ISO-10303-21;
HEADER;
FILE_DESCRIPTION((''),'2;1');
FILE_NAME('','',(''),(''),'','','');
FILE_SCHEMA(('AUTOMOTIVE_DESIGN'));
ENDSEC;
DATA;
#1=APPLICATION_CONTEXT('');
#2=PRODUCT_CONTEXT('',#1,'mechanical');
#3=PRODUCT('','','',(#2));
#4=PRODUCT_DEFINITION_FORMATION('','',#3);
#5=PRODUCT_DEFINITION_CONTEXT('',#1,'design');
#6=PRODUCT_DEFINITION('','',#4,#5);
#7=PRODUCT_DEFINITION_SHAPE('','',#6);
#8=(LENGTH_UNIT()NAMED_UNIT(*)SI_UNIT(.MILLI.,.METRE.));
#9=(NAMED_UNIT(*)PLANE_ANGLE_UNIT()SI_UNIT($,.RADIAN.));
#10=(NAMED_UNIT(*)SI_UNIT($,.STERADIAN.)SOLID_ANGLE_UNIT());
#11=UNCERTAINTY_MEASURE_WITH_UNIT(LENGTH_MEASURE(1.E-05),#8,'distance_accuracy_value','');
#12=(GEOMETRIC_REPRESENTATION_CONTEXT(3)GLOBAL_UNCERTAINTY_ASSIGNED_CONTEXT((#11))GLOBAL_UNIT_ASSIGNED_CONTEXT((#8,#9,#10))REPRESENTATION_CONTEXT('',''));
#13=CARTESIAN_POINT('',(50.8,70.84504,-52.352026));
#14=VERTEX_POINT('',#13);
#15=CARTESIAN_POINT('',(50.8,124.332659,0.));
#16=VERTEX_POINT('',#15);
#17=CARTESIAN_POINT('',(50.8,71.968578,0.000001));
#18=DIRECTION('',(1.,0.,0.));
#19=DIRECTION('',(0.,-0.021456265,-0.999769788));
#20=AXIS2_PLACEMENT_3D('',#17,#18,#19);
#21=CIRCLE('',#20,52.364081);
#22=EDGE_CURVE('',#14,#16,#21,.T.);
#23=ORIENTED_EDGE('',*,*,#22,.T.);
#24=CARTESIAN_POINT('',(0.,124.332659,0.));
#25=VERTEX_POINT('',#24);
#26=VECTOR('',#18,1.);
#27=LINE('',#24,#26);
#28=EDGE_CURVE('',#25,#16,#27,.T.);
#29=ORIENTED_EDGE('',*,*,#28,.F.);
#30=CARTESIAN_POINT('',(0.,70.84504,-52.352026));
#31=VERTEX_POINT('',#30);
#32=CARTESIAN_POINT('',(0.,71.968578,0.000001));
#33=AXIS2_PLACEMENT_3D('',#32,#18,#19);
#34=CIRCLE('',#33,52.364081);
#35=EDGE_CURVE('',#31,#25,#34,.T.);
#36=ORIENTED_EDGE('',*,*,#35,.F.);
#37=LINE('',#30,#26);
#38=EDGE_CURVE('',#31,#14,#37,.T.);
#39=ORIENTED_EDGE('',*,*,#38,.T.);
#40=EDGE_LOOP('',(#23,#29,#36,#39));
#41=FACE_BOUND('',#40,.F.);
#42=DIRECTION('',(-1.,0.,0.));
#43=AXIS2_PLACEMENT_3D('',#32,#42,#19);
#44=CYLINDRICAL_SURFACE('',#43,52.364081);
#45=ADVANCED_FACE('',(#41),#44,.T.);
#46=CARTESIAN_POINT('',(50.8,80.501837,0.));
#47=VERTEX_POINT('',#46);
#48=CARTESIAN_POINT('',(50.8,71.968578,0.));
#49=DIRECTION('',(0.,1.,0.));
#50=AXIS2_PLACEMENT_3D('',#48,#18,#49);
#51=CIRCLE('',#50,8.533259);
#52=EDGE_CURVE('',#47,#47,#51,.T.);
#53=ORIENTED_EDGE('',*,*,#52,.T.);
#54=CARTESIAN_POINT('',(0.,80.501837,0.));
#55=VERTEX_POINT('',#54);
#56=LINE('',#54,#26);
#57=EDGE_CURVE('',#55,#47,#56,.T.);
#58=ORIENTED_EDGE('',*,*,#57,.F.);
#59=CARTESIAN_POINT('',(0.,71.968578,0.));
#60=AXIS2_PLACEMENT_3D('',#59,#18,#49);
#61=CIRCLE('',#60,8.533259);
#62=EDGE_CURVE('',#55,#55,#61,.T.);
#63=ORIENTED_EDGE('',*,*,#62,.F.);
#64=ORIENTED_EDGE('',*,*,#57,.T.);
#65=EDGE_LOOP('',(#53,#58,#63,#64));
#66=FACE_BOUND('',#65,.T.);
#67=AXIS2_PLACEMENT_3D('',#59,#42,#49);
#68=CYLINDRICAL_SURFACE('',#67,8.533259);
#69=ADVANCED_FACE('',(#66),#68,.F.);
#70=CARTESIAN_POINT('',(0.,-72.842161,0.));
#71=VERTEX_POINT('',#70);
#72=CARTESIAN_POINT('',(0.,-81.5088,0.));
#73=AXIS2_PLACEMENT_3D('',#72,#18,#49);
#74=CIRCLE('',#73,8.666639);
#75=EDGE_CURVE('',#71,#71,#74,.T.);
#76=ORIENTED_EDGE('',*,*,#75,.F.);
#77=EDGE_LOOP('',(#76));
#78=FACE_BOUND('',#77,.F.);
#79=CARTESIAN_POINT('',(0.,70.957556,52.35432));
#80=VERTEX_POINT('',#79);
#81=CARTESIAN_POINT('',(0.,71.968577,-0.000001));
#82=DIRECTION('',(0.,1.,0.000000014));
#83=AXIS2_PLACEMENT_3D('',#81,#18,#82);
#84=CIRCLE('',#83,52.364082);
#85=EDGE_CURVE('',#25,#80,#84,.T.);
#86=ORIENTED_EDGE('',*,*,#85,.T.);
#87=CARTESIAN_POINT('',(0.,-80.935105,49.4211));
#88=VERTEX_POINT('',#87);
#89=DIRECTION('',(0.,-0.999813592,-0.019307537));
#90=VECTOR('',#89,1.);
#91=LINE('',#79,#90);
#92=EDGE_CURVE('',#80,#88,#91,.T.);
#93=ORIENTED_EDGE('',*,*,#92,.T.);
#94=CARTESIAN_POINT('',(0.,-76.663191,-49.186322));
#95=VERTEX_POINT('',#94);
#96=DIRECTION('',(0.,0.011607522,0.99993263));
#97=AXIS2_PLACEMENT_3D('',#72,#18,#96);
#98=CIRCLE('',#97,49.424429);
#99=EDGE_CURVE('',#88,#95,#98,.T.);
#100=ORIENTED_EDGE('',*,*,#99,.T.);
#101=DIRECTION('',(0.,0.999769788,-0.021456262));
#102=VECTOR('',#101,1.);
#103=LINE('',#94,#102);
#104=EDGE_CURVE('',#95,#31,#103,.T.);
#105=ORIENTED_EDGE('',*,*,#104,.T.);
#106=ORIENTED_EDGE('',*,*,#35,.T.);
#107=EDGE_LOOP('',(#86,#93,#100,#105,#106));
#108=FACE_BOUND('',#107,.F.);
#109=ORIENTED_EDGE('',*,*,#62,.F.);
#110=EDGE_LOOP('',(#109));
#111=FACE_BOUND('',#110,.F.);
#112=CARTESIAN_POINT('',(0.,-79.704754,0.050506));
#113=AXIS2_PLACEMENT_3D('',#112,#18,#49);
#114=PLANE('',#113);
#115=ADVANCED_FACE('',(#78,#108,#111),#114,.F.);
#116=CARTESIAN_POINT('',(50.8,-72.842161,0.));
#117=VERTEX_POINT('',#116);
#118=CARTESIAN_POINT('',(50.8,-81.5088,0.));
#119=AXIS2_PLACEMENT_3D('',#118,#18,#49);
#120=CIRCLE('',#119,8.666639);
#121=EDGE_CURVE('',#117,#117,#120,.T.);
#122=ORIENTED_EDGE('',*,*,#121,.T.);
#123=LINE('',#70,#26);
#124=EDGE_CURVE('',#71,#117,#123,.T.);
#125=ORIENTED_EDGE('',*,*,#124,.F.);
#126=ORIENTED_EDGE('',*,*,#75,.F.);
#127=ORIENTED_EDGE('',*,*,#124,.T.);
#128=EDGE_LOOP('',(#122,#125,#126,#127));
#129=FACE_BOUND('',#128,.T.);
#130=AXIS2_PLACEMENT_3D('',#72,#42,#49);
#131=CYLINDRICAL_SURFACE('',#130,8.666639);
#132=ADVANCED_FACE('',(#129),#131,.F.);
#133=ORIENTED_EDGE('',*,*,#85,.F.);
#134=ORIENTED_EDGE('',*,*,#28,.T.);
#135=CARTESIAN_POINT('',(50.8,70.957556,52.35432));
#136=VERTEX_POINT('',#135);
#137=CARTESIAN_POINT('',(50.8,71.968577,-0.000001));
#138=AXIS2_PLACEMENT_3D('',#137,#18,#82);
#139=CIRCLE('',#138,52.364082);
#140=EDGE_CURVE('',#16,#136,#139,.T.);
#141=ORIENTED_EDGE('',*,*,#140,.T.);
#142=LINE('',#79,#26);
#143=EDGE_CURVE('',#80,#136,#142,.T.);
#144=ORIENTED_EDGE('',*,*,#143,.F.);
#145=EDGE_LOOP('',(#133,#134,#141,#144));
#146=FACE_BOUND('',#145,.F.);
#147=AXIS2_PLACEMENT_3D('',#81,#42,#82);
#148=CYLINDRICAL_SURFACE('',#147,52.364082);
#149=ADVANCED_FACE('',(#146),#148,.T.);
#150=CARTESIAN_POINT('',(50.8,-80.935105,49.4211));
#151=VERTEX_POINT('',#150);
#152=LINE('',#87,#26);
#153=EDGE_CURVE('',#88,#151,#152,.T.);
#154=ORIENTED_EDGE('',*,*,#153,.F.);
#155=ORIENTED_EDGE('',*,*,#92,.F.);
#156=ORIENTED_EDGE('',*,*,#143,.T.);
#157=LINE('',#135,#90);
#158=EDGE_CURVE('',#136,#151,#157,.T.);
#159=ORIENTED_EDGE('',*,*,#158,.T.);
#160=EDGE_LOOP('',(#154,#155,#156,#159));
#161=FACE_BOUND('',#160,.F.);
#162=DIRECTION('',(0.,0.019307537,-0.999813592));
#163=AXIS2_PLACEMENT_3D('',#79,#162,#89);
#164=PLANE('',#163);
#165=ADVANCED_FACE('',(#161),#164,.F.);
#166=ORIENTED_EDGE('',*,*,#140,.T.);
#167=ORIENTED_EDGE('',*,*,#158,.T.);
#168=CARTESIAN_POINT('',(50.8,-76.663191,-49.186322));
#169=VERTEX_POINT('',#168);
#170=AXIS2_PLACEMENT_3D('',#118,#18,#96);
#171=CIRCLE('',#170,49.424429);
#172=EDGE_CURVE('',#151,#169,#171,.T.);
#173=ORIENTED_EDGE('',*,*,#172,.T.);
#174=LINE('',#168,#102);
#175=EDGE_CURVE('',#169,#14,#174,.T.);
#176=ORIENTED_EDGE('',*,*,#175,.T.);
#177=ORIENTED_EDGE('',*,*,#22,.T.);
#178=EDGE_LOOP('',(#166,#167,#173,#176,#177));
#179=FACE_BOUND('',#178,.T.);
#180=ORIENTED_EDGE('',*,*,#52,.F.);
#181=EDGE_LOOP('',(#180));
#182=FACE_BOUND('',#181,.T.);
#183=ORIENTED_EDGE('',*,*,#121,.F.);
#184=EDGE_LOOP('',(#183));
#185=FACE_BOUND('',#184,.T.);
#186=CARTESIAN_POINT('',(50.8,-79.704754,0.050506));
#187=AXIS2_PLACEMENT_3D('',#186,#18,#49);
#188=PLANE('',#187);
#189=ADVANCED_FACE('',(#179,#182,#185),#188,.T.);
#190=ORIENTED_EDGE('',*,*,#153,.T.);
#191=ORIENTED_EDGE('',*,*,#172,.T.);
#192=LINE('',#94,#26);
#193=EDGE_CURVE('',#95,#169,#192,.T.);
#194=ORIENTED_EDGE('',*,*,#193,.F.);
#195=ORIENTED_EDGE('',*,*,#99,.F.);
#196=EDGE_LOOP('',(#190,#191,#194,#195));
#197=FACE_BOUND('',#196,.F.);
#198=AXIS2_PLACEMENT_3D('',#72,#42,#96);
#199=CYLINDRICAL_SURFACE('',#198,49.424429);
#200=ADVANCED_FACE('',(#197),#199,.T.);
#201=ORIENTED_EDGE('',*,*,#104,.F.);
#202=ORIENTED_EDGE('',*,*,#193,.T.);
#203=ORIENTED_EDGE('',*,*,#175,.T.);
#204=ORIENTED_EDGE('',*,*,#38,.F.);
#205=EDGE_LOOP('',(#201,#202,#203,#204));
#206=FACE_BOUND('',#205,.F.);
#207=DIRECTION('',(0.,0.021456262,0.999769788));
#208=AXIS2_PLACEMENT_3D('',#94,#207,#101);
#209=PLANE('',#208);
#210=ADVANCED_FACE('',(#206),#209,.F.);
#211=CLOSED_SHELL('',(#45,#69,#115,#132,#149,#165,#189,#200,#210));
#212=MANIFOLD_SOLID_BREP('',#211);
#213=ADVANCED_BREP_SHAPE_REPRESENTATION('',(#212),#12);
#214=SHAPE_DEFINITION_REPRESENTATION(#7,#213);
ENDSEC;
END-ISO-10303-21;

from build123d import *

# Parameters (mm, degrees)
F0_R     = 8.666639
F0_R_2   = 8.533259
F1_DEPTH = 50.8


with BuildPart() as f1:
    # F0 (on Right) → F1 (new body)
    with BuildSketch(Plane.YZ):
        with BuildLine():
            ThreePointArc((-76.663191, -49.186322), (-44.88732, -33.190983), (-32.084371, 0))
            ThreePointArc((-32.084371, 0), (-46.358205, 34.744925), (-80.935105, 49.4211))
            ThreePointArc((-80.935105, 49.4211), (-130.886914, -2.139181), (-76.663191, -49.186322))
        make_face()
        with Locations((-81.5088, 0)):
            Circle(F0_R, mode=Mode.SUBTRACT)
        with BuildLine():
            ThreePointArc((-80.935105, 49.4211), (-46.358205, 34.744925), (-32.084371, 0))
            ThreePointArc((-32.084371, 0), (-44.88732, -33.190983), (-76.663191, -49.186322))
            Line((-76.663191, -49.186322), (70.84504, -52.352026))
            ThreePointArc((70.84504, -52.352026), (19.604527, 0.05627), (70.957556, 52.35432))
            Line((70.957556, 52.35432), (-80.935105, 49.4211))
        make_face()
        with BuildLine():
            ThreePointArc((124.332659, 0), (108.636382, 37.382738), (70.957556, 52.35432))
            ThreePointArc((70.957556, 52.35432), (19.604527, 0.05627), (70.84504, -52.352026))
            ThreePointArc((70.84504, -52.352026), (108.59619, -37.422119), (124.332659, 0))
        make_face()
        with Locations((71.968578, 0)):
            Circle(F0_R_2, mode=Mode.SUBTRACT)
    extrude(amount=F1_DEPTH)


solid = f1.part
